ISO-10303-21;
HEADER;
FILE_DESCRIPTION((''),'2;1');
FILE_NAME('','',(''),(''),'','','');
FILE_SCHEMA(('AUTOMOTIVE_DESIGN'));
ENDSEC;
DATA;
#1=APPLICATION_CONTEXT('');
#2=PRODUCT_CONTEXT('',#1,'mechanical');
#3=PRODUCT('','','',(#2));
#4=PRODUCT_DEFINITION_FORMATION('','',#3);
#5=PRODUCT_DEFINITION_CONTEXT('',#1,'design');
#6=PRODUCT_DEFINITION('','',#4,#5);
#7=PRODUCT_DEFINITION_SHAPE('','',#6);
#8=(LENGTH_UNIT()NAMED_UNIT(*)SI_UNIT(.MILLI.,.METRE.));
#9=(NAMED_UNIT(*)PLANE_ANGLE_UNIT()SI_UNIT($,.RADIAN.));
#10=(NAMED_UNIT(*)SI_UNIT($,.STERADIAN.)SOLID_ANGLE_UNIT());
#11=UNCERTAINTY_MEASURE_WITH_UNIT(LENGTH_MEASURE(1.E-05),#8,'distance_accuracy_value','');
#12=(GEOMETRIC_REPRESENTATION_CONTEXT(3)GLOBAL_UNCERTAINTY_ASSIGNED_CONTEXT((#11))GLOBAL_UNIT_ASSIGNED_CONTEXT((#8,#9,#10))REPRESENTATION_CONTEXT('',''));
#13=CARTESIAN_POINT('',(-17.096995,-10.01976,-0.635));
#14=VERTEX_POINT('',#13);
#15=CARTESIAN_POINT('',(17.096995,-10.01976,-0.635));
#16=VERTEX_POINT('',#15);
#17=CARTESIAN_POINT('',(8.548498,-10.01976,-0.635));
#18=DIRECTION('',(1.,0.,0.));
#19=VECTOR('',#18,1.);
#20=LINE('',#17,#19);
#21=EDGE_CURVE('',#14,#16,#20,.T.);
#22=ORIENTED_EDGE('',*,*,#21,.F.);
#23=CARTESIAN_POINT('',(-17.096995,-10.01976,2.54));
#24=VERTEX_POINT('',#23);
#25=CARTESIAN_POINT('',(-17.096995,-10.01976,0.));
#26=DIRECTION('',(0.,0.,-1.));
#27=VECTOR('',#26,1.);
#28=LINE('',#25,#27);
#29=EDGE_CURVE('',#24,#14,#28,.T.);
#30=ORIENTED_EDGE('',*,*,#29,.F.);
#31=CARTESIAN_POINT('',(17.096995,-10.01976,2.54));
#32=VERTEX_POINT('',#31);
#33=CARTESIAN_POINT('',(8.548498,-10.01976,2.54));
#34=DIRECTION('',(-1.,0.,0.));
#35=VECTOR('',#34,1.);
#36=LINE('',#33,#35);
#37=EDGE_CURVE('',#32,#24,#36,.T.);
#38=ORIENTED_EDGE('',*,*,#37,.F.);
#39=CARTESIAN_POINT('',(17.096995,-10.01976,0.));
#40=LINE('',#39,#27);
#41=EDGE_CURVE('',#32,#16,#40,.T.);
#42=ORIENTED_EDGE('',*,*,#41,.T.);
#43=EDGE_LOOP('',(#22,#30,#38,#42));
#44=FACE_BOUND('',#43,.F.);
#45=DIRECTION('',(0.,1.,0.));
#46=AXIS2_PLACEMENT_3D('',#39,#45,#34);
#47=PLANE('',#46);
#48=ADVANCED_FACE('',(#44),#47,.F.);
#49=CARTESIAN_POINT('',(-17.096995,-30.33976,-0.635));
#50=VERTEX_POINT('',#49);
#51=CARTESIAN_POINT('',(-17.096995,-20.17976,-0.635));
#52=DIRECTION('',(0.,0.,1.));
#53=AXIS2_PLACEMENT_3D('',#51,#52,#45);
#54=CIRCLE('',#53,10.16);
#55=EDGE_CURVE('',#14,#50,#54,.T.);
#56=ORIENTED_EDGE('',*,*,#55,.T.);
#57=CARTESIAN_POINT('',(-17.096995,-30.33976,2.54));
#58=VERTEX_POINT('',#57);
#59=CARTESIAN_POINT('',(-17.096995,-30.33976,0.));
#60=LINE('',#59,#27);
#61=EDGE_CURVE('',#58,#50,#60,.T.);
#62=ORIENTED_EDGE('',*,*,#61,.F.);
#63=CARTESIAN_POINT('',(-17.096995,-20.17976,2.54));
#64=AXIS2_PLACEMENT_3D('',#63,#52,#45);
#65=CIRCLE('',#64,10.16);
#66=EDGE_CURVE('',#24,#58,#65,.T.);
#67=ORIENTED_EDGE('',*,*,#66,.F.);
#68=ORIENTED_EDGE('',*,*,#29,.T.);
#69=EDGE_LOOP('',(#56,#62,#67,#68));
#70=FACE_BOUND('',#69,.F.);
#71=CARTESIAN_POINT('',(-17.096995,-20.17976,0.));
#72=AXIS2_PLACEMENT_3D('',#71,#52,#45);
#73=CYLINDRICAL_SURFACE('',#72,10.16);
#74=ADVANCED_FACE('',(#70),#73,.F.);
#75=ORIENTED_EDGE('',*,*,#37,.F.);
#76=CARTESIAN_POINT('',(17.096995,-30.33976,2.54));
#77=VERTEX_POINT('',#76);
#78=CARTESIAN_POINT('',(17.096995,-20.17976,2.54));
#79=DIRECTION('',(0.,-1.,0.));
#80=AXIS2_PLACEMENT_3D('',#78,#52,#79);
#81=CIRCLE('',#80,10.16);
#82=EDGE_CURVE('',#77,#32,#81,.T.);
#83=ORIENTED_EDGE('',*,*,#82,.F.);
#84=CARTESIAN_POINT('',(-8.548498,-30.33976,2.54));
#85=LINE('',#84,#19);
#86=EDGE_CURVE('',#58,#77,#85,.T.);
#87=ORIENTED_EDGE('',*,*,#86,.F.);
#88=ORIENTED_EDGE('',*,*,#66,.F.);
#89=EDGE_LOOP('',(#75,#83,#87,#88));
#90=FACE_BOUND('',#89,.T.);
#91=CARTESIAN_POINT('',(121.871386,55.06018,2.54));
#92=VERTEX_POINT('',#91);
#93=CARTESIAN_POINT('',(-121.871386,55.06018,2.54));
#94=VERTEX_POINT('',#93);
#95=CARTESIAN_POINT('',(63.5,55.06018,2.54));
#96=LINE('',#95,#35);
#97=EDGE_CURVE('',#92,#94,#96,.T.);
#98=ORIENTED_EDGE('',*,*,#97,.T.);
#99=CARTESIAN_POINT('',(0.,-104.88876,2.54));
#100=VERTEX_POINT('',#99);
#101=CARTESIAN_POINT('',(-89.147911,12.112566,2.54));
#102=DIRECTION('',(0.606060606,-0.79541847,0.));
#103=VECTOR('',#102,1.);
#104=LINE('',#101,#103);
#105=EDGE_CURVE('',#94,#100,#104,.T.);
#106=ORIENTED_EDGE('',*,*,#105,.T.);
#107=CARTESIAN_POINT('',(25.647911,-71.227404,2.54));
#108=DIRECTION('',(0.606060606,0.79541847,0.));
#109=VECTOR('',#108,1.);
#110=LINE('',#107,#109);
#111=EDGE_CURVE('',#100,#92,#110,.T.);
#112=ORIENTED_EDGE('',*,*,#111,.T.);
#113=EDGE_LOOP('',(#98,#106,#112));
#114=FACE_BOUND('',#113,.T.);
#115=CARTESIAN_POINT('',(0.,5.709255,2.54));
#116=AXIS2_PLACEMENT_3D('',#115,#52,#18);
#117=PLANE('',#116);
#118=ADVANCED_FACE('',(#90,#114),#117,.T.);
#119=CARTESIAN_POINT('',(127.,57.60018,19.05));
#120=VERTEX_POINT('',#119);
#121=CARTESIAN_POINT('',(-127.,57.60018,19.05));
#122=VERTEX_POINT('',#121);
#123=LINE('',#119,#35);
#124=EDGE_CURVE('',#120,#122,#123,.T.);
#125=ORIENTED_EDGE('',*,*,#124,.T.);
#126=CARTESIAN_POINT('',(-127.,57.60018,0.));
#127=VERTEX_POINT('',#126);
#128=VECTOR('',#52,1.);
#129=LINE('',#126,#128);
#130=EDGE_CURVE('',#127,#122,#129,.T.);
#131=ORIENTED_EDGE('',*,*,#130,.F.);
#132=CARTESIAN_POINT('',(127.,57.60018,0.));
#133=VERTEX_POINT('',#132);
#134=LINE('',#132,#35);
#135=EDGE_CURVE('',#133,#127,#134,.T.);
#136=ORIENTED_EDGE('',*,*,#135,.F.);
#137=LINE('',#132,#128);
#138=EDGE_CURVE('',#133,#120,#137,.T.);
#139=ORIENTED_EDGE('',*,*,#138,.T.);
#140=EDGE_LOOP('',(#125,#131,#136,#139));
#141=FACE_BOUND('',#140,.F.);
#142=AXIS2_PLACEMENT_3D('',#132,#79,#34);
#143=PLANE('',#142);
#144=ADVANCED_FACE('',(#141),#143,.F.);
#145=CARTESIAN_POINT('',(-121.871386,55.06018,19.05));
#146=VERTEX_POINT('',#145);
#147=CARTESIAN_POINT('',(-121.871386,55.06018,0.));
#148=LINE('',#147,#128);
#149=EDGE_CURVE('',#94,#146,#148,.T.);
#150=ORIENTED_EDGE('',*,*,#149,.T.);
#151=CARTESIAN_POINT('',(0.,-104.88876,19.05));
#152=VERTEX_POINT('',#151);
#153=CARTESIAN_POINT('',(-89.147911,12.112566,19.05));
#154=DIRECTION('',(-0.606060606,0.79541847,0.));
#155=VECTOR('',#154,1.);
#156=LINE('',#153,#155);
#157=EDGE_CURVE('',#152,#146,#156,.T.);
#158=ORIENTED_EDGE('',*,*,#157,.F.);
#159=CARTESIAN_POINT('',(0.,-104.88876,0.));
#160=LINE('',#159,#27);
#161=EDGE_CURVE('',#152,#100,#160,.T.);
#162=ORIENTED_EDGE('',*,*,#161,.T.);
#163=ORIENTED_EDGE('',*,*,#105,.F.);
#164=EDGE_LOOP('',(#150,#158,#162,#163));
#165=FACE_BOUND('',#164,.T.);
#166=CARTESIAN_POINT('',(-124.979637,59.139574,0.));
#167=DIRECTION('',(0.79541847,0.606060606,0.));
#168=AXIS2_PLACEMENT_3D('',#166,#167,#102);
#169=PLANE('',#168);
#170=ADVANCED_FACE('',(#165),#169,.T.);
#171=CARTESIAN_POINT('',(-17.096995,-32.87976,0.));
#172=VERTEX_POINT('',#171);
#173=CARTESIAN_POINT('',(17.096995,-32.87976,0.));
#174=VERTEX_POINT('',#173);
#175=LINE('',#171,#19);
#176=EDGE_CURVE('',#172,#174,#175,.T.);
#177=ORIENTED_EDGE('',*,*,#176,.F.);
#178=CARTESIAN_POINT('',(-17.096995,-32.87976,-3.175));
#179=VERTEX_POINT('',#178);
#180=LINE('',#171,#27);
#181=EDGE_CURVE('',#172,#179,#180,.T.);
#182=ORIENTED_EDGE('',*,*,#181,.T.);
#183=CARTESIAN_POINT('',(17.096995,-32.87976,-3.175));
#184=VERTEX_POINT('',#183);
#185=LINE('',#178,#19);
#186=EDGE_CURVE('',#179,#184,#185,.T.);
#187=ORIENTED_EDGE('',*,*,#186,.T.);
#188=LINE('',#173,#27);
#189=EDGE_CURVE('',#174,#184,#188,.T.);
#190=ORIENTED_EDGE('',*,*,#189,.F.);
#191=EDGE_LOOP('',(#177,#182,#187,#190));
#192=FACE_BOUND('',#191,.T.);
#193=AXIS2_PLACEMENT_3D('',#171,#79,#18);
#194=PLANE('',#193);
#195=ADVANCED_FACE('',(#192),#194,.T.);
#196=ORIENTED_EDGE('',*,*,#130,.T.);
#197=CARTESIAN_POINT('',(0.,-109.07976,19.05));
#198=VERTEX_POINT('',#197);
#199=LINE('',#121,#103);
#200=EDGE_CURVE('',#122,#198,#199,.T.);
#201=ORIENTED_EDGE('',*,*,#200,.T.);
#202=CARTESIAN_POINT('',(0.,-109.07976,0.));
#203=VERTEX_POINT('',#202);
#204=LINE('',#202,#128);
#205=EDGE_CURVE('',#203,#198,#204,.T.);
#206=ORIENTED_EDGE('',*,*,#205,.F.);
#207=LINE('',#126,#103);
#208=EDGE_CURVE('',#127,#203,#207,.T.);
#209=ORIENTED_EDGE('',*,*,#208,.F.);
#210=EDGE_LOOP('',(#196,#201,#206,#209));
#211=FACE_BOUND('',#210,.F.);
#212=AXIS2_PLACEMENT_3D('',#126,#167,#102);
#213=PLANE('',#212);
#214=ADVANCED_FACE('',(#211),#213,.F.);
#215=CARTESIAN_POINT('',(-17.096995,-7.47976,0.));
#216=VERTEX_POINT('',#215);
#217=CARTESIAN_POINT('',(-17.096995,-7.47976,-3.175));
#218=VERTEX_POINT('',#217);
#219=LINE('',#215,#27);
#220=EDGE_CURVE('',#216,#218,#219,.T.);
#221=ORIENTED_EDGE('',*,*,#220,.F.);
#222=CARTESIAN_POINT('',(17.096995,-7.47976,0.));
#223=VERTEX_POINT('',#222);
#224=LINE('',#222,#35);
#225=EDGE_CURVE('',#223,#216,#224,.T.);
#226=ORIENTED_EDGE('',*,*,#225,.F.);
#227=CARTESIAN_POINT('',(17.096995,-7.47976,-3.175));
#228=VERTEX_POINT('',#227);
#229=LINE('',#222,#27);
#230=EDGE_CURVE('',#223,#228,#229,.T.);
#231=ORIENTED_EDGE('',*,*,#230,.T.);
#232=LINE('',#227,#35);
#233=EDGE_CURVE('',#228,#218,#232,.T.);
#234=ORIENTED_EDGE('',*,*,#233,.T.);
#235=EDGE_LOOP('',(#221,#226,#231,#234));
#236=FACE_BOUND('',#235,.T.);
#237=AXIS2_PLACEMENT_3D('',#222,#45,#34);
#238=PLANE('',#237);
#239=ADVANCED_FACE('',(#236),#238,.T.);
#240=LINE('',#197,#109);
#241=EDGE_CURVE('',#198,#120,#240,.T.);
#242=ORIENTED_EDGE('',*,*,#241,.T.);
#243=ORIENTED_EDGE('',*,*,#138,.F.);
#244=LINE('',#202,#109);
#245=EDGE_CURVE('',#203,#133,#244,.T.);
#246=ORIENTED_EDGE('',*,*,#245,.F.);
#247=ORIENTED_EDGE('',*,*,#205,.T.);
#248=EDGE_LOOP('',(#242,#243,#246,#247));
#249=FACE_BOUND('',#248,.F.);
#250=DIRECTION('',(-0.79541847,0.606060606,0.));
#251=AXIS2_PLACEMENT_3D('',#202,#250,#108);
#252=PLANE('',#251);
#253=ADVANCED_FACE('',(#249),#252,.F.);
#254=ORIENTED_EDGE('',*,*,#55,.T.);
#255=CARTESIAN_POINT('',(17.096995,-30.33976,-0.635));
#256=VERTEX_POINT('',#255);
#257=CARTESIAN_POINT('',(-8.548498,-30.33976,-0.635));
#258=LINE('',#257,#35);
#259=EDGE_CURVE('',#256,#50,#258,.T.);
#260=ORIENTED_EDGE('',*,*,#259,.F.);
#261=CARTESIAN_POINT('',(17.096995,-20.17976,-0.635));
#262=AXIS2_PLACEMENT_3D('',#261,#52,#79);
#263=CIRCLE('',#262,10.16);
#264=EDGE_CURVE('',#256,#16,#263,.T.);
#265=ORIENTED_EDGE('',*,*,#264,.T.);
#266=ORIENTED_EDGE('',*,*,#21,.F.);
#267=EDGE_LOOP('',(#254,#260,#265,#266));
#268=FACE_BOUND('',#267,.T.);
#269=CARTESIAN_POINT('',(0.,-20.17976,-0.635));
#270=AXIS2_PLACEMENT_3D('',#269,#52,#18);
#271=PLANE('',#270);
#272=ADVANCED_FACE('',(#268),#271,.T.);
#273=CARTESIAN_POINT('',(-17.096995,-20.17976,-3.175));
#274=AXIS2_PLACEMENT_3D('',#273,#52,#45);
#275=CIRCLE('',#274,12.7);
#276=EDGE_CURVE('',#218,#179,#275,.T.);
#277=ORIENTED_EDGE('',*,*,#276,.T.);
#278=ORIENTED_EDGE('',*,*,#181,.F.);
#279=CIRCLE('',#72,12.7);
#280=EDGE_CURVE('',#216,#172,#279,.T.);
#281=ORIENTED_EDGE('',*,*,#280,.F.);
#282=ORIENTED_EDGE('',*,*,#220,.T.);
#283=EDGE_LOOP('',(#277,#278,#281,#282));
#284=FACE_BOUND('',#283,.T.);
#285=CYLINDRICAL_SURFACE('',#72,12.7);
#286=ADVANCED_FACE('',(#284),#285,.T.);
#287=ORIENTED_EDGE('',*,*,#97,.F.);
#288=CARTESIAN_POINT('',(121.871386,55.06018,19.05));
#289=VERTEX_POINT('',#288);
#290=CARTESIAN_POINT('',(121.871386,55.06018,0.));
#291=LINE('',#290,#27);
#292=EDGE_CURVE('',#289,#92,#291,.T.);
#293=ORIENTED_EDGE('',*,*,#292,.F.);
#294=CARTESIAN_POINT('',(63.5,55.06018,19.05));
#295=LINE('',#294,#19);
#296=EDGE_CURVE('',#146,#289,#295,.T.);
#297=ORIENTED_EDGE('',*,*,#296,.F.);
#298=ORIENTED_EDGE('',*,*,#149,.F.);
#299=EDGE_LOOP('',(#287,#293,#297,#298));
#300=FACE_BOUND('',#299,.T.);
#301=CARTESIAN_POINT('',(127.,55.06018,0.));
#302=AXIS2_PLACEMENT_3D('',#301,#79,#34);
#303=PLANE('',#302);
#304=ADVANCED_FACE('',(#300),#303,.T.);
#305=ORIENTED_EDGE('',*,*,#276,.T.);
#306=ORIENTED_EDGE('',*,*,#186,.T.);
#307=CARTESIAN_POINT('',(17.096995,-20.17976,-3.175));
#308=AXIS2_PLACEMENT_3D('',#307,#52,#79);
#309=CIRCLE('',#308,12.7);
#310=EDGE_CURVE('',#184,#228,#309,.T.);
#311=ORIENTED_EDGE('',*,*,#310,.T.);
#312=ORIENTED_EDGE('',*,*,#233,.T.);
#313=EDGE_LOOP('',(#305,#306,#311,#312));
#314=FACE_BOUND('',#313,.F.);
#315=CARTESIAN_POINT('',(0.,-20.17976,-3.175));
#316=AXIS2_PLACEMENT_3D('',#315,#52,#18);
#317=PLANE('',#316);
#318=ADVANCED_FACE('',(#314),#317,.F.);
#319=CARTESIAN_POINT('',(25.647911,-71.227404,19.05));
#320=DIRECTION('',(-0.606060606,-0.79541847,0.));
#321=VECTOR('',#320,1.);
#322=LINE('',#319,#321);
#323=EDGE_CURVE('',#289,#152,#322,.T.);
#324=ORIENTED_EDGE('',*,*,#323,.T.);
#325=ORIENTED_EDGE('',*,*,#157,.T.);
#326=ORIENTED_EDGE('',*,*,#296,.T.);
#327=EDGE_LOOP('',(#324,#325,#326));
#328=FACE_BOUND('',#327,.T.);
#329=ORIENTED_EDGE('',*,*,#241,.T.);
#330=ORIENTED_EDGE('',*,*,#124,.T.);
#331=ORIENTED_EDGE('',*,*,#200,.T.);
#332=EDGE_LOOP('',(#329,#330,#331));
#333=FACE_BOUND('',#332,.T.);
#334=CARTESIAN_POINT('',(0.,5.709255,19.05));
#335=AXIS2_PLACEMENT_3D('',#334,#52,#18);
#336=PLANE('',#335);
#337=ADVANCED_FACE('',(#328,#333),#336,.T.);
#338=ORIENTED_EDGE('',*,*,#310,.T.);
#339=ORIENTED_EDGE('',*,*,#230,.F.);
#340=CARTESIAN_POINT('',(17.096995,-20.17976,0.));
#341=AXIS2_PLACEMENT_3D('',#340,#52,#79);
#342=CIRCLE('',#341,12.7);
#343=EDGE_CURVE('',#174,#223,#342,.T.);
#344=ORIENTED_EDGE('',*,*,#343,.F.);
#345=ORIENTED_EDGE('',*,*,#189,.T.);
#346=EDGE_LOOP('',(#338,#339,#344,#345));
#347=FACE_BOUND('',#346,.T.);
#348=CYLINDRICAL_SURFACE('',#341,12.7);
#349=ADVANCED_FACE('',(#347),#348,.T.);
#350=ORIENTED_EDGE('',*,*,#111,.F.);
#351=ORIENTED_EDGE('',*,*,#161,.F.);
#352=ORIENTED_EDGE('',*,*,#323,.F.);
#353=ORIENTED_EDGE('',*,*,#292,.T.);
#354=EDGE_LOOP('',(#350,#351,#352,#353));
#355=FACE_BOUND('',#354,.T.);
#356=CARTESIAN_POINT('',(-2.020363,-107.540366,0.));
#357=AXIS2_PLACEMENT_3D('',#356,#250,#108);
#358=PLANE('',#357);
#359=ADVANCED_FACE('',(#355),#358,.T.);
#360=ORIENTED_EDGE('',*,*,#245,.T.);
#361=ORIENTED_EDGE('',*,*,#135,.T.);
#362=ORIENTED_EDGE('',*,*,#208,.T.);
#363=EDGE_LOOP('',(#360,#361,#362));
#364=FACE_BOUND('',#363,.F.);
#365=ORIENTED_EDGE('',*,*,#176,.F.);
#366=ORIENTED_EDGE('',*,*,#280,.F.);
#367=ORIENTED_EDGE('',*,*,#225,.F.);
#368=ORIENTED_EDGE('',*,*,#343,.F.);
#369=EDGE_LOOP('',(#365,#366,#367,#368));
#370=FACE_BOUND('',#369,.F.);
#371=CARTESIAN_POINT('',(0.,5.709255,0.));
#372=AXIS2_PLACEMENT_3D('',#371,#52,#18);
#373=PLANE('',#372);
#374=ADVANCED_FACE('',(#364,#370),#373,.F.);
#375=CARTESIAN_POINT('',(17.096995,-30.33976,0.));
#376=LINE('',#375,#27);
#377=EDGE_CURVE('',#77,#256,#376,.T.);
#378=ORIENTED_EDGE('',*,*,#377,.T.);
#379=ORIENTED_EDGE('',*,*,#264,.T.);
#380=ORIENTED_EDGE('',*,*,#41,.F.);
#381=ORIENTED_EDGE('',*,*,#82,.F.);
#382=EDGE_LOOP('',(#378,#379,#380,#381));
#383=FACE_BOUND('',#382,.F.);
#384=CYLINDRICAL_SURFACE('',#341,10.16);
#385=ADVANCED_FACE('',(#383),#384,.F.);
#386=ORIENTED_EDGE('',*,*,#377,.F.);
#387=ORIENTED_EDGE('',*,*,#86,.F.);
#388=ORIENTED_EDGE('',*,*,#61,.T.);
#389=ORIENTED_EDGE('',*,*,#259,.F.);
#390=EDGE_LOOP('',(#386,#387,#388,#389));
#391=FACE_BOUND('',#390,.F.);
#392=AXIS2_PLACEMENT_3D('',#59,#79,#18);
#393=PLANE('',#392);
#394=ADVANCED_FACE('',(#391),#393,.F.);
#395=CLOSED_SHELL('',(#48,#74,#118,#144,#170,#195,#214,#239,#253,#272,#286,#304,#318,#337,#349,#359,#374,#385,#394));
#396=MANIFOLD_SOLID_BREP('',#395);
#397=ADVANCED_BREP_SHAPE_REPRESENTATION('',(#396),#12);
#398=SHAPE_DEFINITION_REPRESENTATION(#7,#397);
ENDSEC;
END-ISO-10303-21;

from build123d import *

# Parameters (mm, degrees)
F1_DEPTH = 3.175
F2_DEPTH = 19.05
F3_T     = -2.54


with BuildPart() as f1:
    # F0 (on Top) → F1 (new body)
    with BuildSketch(Plane.XY):
        with BuildLine():
            Line((17.0969952226, -7.4797603572), (-17.0969952226, -7.4797603572))
            ThreePointArc((-17.0969952226, -7.4797603572), (-29.7969952226, -20.1797603572), (-17.0969952226, -32.8797603572))
            Line((-17.0969952226, -32.8797603572), (17.0969952226, -32.8797603572))
            ThreePointArc((17.0969952226, -32.8797603572), (29.7969952226, -20.1797603572), (17.0969952226, -7.4797603572))
        make_face()
    extrude(amount=-F1_DEPTH)

    # F0 (on Top) + F1_face (on face) → F2 (join)
    with BuildSketch(Plane.XY):
        Polygon((127, 57.6001799476), (-127, 57.6001799476), (0, -109.0797603572), align=None)
        with BuildLine():
            ThreePointArc((-17.0969952226, -32.8797603572), (-29.7969952226, -20.1797603572), (-17.0969952226, -7.4797603572))
            Line((-17.0969952226, -7.4797603572), (17.0969952226, -7.4797603572))
            ThreePointArc((17.0969952226, -7.4797603572), (29.7969952226, -20.1797603572), (17.0969952226, -32.8797603572))
            Line((17.0969952226, -32.8797603572), (-17.0969952226, -32.8797603572))
        make_face(mode=Mode.SUBTRACT)
    with BuildSketch(Plane(origin=(0, -20.1797603572, 0), x_dir=(1, 0, 0), z_dir=(0, 0, 1))):
        with BuildLine():
            ThreePointArc((17.0969952226, -12.7), (29.7969952226, 0), (17.0969952226, 12.7))
            Line((17.0969952226, 12.7), (-17.0969952226, 12.7))
            ThreePointArc((-17.0969952226, 12.7), (-29.7969952226, 0), (-17.0969952226, -12.7))
            Line((-17.0969952226, -12.7), (17.0969952226, -12.7))
        make_face()
    extrude(amount=F2_DEPTH)

    # F3
    f3_openings = [f1.faces().sort_by_distance(p)[0] for p in [
        (0, 2.0402, 19.05),
    ]]
    offset(amount=F3_T, openings=f3_openings, kind=Kind.INTERSECTION)


solid = f1.part
